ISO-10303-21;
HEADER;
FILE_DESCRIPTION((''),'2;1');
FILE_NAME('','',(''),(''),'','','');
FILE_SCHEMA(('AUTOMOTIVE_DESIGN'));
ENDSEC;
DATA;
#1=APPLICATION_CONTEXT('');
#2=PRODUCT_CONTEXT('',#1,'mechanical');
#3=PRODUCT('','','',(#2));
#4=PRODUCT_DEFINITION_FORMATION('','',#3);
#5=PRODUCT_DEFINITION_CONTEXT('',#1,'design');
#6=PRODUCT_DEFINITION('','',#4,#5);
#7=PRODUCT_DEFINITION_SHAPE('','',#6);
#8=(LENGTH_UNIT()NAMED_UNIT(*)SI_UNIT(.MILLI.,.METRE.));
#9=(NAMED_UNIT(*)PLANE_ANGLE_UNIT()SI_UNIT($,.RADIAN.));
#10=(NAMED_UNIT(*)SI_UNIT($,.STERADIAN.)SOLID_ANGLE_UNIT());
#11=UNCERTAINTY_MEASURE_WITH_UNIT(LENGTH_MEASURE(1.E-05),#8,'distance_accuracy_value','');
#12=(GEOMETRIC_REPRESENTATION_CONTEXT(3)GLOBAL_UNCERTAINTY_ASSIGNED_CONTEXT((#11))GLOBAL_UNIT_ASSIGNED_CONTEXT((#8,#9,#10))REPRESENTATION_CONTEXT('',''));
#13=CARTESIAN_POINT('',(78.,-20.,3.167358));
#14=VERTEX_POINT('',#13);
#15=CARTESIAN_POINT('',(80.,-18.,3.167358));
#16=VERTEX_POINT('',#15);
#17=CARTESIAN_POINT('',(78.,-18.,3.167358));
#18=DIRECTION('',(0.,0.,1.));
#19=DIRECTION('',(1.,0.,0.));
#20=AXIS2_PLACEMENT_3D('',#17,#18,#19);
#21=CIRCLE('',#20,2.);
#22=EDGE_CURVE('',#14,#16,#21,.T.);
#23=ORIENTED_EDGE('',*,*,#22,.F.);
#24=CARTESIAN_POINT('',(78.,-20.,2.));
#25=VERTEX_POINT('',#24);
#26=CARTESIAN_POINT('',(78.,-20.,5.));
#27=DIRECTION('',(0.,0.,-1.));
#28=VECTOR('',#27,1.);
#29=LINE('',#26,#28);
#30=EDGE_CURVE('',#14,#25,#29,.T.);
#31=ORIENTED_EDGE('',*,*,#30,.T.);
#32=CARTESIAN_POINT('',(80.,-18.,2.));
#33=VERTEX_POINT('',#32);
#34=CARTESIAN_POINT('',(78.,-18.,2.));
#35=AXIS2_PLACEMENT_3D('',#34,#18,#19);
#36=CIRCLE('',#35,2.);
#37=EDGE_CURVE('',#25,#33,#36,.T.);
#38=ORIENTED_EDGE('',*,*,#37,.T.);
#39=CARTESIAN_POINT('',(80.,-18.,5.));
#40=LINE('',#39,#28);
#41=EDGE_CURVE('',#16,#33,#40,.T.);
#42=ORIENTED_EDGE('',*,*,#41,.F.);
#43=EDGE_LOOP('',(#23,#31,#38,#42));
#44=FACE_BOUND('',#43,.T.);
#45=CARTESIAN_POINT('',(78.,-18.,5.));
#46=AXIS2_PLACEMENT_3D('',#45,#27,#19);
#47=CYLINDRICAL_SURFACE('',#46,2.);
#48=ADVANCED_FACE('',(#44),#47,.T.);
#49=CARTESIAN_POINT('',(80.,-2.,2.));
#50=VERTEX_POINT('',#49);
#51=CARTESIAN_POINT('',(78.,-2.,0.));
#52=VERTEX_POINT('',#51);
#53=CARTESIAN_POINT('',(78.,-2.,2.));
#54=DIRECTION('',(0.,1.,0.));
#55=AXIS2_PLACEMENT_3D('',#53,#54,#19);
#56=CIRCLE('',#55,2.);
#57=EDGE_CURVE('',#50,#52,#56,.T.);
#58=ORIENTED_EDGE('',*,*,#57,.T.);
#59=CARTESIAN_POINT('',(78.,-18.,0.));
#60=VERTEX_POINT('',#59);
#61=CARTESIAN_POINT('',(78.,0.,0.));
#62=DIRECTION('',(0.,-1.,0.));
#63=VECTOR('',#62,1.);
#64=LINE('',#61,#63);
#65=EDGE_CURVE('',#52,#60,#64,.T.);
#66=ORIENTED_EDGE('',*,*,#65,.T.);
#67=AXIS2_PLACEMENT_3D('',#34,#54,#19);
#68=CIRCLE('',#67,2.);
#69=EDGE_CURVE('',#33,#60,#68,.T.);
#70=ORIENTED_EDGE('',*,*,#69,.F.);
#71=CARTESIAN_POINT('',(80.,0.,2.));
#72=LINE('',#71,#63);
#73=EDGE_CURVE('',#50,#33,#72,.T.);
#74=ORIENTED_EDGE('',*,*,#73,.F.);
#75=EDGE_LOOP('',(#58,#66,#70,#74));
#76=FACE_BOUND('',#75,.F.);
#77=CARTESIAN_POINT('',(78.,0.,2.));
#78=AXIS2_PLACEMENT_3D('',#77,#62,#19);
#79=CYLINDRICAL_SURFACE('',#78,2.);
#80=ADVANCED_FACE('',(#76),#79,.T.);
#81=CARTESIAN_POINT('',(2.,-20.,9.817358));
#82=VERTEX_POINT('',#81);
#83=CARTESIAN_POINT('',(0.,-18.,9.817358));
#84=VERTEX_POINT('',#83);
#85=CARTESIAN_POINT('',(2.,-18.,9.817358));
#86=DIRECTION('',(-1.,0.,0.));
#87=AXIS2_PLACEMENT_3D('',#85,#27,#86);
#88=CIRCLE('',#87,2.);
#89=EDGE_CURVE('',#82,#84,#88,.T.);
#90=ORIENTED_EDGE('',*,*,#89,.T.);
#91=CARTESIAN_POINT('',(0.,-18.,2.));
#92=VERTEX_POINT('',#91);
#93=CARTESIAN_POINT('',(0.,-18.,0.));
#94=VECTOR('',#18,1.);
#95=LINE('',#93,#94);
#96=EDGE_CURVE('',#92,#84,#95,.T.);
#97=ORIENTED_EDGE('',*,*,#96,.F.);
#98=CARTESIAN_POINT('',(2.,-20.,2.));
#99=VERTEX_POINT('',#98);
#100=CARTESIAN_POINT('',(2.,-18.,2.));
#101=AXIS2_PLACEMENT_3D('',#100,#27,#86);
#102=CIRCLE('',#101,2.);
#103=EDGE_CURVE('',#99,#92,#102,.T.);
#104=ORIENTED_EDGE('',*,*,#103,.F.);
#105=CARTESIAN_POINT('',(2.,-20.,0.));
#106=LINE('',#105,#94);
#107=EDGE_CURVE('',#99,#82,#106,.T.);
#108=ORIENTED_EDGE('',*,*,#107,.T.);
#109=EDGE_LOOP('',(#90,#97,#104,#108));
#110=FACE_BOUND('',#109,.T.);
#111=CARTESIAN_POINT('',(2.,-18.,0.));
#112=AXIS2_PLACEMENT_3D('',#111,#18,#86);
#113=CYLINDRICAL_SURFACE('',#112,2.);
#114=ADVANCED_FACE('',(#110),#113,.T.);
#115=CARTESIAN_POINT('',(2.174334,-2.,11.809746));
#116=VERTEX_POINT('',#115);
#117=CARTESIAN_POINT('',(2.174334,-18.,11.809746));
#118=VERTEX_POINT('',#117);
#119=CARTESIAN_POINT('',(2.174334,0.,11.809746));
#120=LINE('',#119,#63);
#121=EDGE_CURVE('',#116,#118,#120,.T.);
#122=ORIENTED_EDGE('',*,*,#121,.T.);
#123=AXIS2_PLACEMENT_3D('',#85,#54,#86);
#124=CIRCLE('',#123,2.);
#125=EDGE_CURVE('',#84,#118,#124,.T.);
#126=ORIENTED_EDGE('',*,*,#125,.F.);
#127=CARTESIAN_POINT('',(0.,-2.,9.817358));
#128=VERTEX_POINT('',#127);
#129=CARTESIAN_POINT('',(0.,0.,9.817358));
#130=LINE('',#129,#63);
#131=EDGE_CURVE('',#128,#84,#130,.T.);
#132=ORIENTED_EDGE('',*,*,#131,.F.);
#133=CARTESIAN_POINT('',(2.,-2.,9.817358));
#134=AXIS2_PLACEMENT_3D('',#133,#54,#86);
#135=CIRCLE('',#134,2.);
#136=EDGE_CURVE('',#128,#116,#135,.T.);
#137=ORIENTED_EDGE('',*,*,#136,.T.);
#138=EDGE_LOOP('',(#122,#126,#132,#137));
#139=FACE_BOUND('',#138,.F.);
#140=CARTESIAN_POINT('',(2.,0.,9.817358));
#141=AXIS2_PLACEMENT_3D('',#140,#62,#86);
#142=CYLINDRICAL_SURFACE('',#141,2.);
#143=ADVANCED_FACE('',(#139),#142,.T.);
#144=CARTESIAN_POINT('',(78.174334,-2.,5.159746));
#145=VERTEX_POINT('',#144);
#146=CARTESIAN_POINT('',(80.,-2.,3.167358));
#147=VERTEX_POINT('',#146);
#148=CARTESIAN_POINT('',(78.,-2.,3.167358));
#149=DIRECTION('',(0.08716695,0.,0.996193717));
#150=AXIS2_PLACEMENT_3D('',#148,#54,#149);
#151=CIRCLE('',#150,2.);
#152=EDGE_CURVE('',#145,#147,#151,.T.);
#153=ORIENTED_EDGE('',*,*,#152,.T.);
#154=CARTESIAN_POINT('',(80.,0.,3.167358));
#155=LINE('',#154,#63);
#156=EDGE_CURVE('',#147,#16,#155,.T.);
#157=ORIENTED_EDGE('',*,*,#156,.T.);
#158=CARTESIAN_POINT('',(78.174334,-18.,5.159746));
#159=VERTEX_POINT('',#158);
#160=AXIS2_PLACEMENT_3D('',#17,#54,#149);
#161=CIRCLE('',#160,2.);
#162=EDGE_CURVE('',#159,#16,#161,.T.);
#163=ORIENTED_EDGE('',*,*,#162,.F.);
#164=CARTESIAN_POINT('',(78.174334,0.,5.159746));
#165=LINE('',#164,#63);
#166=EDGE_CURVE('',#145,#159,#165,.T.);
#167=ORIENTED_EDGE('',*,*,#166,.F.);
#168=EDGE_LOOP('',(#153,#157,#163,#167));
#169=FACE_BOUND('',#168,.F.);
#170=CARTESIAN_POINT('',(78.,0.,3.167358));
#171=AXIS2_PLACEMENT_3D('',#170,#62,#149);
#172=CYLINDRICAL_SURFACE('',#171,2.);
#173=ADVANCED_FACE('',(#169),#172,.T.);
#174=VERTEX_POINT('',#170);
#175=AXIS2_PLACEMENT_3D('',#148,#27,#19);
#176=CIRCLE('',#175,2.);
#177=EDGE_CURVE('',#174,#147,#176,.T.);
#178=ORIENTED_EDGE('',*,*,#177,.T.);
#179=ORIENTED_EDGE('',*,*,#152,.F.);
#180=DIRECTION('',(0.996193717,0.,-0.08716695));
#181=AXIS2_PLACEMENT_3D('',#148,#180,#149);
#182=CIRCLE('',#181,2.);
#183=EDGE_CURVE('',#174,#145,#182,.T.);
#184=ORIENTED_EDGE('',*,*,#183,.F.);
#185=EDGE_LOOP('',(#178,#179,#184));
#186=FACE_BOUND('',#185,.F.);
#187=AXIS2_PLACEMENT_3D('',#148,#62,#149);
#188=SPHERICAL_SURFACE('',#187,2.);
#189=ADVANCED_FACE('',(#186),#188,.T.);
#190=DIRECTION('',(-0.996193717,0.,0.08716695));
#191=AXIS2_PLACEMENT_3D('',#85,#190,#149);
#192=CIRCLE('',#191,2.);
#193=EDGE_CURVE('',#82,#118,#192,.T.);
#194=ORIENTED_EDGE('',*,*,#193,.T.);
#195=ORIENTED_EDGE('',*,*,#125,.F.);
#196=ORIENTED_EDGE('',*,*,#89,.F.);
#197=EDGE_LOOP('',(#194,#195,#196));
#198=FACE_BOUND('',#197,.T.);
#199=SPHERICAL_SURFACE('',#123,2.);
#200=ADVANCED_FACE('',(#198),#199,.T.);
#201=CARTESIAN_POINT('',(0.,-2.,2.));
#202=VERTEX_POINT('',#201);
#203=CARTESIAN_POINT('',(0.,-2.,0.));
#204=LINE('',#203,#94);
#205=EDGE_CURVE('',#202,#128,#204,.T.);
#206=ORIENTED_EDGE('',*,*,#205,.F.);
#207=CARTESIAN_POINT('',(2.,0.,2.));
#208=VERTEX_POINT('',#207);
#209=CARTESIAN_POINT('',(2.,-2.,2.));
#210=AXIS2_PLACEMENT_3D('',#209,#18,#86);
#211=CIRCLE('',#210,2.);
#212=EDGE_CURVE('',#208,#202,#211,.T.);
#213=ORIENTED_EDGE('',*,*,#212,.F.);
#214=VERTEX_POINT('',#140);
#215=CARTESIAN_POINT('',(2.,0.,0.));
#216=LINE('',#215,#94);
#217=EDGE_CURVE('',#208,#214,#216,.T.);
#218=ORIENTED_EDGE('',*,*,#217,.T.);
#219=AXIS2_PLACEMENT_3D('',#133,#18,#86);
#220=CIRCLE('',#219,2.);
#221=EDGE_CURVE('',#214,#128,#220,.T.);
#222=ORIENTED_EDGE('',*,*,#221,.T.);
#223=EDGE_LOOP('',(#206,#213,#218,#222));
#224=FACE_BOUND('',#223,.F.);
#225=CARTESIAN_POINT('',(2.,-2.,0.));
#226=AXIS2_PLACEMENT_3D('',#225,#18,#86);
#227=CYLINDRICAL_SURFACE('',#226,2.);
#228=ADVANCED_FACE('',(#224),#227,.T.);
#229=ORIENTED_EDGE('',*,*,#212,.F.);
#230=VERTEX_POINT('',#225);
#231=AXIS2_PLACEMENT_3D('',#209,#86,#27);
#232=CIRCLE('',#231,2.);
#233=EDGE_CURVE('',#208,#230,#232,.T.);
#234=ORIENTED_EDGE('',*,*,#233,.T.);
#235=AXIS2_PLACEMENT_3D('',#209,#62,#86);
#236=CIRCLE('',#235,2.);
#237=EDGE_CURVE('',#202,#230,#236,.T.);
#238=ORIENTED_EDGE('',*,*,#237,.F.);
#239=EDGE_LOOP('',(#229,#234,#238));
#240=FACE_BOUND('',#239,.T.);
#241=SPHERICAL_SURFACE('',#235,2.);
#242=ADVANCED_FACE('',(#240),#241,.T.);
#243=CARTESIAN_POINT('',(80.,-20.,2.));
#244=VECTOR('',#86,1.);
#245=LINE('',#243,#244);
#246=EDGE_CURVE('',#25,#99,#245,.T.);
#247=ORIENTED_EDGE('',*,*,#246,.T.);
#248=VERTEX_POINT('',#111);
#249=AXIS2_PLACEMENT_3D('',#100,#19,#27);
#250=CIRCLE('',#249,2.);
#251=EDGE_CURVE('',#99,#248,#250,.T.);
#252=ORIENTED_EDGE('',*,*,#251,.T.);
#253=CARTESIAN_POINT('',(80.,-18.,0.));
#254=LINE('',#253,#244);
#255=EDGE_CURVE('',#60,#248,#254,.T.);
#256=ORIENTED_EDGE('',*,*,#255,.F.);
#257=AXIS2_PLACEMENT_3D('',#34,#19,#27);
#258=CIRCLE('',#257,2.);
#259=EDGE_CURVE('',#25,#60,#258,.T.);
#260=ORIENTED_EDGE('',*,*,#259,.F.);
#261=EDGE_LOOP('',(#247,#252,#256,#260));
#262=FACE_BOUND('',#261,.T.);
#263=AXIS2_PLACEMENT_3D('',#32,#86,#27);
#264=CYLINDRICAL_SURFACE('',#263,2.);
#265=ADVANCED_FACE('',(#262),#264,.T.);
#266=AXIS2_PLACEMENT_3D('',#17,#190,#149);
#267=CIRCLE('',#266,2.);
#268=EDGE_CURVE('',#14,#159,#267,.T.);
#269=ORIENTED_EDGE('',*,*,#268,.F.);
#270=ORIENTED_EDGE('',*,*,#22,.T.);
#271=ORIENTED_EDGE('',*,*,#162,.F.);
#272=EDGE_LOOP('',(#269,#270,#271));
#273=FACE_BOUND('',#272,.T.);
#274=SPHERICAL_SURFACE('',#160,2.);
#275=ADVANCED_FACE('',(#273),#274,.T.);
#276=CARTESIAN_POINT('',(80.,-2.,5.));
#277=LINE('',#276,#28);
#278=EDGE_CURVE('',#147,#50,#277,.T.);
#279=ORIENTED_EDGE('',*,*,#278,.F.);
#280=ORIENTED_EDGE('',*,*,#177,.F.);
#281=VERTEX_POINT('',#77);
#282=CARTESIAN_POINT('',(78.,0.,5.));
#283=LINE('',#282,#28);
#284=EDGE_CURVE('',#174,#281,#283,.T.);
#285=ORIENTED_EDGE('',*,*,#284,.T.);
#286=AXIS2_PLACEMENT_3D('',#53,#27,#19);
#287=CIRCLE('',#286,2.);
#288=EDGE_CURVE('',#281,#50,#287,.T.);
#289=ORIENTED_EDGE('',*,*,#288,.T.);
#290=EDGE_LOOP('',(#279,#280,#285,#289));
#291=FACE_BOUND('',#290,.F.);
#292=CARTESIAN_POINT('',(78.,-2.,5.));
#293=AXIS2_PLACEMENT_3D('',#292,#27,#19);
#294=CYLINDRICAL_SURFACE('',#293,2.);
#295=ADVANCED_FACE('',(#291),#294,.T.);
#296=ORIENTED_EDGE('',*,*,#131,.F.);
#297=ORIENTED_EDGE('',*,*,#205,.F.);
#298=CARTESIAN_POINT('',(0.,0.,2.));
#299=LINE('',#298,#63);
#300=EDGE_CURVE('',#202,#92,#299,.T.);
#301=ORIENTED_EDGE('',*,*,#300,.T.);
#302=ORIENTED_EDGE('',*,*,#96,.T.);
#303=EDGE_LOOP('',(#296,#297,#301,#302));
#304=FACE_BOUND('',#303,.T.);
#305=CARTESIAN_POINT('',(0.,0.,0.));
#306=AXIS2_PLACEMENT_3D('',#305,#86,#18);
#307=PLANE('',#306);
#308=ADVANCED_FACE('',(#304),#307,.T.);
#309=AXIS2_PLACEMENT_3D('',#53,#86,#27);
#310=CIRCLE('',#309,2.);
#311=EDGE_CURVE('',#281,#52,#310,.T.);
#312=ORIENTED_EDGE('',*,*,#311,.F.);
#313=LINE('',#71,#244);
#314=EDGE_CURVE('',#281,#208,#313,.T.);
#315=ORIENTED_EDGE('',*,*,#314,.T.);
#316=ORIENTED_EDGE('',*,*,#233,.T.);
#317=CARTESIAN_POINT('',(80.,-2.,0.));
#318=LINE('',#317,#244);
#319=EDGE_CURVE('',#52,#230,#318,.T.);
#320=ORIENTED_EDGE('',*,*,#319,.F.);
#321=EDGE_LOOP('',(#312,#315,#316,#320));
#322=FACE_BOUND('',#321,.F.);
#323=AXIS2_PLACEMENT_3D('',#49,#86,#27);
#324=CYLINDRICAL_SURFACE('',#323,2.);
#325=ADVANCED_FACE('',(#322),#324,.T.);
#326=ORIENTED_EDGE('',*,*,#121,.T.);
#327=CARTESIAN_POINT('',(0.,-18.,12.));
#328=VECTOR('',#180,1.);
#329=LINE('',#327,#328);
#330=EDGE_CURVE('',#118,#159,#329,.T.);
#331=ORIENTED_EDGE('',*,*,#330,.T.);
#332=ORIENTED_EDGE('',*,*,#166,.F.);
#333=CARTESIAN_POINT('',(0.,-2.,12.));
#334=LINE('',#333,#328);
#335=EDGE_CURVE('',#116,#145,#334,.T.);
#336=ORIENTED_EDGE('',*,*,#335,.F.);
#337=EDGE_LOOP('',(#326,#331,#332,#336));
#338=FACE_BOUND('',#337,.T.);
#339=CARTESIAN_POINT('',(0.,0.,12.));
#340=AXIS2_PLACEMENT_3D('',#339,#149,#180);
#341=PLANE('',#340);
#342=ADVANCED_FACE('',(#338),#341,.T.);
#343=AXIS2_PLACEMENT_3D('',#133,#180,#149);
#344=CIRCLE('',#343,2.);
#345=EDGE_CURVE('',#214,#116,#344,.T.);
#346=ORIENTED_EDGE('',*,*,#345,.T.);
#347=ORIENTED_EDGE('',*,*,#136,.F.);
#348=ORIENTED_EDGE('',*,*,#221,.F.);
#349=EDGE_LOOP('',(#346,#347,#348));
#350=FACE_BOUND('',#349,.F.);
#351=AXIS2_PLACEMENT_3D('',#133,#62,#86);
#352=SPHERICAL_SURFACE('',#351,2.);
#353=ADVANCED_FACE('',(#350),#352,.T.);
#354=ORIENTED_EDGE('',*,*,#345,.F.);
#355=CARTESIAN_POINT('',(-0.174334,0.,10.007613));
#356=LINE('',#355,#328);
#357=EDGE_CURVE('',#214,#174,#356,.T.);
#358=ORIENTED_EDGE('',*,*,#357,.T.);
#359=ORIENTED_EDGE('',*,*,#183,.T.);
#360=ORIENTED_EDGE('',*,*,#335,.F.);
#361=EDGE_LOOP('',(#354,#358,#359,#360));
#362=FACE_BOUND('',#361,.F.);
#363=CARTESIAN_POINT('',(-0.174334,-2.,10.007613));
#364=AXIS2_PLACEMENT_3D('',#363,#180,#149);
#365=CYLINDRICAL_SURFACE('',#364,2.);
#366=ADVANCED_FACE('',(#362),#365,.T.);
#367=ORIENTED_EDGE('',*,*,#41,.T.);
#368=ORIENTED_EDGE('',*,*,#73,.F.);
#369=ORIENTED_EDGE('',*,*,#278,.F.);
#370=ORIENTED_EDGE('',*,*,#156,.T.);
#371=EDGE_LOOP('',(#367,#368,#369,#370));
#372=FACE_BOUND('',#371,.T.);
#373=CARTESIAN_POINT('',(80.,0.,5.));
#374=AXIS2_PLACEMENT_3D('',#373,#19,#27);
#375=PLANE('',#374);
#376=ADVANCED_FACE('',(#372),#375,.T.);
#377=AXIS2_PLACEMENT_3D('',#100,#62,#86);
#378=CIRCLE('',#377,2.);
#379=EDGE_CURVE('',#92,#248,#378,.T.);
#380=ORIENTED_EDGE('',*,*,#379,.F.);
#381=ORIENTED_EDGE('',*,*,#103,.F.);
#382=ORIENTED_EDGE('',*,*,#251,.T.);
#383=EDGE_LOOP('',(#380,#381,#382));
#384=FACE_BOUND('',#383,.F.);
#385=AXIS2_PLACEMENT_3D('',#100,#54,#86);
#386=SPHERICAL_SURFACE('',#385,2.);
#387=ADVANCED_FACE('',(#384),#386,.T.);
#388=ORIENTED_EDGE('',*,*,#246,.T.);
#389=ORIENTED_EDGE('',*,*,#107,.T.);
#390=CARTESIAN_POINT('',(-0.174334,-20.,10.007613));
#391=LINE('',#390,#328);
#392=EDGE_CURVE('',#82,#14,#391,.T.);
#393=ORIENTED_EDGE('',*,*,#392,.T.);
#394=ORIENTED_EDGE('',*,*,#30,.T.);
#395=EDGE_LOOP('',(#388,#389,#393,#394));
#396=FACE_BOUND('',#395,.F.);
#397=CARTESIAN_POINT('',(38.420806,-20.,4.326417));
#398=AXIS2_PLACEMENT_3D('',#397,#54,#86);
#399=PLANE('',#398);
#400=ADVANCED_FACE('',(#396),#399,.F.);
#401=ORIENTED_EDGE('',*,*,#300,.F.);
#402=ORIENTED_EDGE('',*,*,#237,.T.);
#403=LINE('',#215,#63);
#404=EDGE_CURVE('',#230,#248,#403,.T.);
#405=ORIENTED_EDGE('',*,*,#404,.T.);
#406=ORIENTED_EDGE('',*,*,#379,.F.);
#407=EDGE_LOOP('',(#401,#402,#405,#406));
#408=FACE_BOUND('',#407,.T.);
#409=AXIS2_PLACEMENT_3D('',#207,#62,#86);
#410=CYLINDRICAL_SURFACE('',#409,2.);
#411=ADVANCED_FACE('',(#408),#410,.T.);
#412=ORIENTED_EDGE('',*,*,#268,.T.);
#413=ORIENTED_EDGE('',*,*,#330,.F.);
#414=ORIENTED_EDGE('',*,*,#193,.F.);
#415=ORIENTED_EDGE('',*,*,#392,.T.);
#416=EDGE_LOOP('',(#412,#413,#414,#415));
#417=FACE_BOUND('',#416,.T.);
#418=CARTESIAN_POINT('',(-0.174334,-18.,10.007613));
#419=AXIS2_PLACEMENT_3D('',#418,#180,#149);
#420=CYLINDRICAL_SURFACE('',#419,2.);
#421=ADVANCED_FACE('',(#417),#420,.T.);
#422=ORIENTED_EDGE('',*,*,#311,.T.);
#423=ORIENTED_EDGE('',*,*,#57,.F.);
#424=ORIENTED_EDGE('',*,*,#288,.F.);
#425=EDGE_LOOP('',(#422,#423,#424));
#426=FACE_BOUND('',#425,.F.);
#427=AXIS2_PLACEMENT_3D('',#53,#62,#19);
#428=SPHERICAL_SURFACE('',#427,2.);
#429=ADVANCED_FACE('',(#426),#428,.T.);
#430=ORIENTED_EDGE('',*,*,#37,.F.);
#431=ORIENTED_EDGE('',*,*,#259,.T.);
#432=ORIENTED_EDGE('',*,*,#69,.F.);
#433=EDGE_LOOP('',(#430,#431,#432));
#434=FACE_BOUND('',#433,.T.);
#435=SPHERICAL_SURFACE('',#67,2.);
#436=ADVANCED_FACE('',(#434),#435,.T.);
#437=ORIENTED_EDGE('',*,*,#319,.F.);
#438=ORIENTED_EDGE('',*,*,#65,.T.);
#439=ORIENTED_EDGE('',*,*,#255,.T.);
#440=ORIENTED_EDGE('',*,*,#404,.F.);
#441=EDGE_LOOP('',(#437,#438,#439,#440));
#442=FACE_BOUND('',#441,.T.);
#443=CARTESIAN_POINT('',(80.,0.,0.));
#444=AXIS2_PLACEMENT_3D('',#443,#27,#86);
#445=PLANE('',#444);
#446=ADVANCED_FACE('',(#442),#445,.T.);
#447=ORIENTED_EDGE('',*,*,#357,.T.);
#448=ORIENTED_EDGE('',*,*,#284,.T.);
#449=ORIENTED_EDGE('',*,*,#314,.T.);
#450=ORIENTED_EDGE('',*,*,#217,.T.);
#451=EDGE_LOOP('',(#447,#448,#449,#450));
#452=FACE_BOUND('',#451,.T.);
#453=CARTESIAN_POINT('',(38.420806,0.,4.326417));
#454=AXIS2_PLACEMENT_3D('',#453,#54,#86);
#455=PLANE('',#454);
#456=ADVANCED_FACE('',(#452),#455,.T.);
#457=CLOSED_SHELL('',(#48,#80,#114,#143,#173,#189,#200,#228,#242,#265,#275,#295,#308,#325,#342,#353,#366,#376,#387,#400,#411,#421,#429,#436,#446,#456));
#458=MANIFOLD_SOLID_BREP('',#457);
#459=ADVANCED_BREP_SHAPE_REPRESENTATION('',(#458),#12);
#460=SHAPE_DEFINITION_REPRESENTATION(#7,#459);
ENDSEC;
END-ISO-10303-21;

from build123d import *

# Parameters (mm, degrees)
PAD_DEPTH = 20
FILLET_R  = 2


with BuildPart() as part:
    # Sketch → Pad (new body)
    with BuildSketch(Plane.XZ):
        Polygon((0, 0), (0, 12), (80, 5), (80, 0), align=None)
    extrude(amount=PAD_DEPTH)

    # Fillet
    fillet_edges = [part.edges().sort_by_distance(p)[0] for p in [
        (0, -10, 0),
        (0, -10, 12),
        (0, 0, 6),
        (0, -20, 6),
        (80, -10, 5),
        (40, 0, 8.5),
        (40, -20, 8.5),
        (80, -10, 0),
        (80, 0, 2.5),
        (80, -20, 2.5),
        (40, 0, 0),
        (40, -20, 0),
    ]]
    fillet(fillet_edges, radius=FILLET_R)


solid = part.part
